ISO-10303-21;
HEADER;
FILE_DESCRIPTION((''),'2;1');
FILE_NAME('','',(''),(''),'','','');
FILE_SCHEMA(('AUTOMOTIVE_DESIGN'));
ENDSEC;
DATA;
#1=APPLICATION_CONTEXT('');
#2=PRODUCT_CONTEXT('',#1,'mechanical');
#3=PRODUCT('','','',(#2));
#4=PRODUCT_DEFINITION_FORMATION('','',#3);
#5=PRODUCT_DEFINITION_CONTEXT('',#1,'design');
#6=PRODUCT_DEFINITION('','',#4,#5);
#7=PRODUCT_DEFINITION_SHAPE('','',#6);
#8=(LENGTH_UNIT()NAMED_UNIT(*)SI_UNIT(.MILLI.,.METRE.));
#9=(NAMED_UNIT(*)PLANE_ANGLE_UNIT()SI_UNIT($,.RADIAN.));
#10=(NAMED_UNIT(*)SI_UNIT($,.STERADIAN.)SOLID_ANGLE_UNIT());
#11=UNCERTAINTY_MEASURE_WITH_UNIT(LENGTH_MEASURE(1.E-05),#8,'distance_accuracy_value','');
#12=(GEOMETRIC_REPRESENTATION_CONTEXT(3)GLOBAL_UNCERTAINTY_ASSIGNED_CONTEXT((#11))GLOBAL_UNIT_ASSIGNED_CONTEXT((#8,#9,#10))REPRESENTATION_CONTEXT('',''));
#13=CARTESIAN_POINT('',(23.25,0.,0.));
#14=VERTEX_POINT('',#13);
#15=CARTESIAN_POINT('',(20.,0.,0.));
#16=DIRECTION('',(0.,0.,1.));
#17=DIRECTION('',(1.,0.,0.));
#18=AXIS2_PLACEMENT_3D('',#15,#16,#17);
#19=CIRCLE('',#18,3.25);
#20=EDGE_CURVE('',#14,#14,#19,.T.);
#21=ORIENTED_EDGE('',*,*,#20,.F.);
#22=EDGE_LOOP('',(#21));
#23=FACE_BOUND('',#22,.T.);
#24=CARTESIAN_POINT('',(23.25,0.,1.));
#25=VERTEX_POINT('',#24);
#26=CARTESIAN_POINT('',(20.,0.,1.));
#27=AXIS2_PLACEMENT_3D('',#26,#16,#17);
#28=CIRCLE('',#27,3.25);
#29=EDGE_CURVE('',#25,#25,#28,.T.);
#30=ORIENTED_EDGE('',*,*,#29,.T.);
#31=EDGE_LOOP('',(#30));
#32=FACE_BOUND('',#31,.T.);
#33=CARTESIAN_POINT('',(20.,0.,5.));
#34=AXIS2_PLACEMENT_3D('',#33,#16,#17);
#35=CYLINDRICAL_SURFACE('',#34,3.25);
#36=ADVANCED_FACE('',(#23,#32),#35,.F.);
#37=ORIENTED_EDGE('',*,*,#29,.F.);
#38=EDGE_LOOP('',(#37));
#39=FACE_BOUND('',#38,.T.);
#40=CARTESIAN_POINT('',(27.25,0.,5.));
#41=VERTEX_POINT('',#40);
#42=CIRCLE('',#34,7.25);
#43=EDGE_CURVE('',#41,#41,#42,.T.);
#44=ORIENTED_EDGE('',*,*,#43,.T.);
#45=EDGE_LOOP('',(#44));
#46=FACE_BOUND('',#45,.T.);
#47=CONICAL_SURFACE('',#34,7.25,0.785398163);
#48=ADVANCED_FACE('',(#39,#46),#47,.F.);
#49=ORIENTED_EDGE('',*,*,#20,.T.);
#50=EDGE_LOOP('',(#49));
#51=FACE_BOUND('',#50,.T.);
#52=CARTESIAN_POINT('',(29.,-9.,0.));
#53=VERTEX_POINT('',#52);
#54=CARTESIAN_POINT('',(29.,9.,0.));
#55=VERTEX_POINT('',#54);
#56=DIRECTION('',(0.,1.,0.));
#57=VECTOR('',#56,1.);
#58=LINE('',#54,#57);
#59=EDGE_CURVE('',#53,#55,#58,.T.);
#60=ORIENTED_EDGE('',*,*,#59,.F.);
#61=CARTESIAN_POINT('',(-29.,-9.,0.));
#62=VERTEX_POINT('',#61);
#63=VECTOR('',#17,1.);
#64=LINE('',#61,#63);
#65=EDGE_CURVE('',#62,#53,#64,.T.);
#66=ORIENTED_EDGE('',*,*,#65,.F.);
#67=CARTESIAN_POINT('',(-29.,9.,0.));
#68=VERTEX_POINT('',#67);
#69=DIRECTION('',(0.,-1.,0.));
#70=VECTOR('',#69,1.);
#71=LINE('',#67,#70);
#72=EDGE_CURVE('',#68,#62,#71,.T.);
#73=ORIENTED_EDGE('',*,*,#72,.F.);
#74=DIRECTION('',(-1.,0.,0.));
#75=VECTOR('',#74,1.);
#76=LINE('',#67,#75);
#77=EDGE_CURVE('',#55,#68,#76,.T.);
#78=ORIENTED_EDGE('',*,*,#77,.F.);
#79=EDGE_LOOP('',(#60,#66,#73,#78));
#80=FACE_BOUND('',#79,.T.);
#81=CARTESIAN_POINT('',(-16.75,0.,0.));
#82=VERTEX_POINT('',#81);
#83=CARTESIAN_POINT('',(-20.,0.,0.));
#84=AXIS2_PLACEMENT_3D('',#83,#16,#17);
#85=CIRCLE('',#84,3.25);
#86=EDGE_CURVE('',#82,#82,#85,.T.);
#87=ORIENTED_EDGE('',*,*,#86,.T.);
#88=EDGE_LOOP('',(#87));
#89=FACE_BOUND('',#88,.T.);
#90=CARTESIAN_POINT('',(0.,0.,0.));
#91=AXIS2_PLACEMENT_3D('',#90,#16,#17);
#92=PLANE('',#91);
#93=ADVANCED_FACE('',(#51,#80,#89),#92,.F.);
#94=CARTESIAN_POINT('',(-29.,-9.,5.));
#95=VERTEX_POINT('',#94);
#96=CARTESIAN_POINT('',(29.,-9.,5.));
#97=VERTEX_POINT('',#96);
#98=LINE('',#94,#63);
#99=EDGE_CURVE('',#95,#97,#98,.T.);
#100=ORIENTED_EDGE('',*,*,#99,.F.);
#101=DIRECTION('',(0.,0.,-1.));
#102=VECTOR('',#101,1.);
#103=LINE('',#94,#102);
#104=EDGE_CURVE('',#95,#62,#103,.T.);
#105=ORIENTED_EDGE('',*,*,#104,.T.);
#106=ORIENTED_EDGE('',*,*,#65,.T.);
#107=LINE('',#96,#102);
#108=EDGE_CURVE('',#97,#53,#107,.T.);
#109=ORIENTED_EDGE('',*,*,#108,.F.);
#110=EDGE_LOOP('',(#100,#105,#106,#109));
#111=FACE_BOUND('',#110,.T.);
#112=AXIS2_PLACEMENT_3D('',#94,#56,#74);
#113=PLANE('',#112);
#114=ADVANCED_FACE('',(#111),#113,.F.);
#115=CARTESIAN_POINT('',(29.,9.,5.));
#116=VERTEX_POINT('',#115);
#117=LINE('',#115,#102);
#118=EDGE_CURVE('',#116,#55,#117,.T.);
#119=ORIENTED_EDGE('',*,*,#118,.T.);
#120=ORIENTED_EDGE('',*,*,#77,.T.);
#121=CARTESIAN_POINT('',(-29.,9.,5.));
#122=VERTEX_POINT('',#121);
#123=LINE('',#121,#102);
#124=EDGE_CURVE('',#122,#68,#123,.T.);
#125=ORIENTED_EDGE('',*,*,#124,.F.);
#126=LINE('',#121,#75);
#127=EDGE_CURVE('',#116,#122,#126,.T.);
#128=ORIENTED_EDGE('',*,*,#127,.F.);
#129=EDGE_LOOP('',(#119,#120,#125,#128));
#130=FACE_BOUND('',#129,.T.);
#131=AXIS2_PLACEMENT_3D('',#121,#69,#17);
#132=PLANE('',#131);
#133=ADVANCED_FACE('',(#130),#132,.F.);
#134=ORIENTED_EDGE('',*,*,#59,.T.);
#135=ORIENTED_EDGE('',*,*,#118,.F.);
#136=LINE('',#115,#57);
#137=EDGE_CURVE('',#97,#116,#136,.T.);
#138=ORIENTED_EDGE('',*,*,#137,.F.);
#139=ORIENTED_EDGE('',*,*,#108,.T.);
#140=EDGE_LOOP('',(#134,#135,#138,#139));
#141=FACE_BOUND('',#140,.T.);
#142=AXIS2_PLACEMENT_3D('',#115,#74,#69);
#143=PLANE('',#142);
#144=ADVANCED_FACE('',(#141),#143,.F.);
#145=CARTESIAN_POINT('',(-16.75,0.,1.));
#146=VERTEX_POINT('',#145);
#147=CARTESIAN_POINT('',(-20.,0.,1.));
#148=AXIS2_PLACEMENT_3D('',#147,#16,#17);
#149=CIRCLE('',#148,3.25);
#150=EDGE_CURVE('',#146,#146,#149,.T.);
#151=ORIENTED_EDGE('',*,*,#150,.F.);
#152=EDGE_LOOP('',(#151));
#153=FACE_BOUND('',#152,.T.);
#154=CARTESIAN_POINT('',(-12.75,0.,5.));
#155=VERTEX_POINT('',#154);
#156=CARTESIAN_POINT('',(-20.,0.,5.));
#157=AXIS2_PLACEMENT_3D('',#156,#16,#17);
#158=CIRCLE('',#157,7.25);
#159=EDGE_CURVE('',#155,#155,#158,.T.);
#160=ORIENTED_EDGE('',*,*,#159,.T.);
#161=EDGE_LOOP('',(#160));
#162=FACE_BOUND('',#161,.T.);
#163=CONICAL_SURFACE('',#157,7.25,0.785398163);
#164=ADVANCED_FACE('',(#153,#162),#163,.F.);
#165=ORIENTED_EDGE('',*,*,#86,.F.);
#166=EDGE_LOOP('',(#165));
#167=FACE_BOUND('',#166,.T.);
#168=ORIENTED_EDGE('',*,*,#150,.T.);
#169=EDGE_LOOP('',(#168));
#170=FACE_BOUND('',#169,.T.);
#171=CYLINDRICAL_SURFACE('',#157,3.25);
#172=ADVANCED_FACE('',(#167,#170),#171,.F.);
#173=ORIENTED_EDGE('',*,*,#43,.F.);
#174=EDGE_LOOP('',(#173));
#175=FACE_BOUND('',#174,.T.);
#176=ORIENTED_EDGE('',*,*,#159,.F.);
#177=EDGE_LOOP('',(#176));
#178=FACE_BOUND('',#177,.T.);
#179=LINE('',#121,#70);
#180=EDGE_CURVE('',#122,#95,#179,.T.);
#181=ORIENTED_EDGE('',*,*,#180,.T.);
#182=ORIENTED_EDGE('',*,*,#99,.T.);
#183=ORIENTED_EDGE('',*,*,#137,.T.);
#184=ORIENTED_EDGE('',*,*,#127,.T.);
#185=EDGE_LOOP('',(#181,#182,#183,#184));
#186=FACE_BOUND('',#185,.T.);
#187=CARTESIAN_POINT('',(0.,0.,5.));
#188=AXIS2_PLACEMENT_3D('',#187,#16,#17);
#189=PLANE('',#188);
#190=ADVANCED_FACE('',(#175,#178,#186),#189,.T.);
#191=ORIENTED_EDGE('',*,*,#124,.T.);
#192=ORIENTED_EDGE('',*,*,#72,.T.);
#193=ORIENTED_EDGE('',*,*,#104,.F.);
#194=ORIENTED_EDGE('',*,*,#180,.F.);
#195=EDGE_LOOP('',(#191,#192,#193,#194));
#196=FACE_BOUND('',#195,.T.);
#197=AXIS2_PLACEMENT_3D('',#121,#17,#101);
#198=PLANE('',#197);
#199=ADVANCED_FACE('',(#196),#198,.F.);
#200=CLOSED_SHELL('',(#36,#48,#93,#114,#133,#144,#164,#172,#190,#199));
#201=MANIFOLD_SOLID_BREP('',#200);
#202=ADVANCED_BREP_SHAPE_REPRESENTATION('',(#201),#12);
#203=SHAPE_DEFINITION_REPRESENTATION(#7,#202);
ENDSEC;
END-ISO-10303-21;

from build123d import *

# Parameters (mm, degrees)
ESQUISSE1_W                = 58
ESQUISSE1_H                = 18
BOSS_EXTRU_1_DEPTH         = 5
R_P_TITION_LIN_AIRE1_COUNT = 2
R_P_TITION_LIN_AIRE1_PITCH = 40


with BuildPart() as part:
    # Esquisse1 → Boss.-Extru.1 (new body)
    with BuildSketch(Plane.XY):
        Rectangle(ESQUISSE1_W, ESQUISSE1_H)
    extrude(amount=BOSS_EXTRU_1_DEPTH)

    # Esquisse3 → Fraisage pour vis à tête fraisée à 6 pans creux M61 (revolve, cut)
    with BuildSketch(Plane(origin=(20, 0, 5), x_dir=(0, -1, 0), z_dir=(1, 0, 0))):
        Polygon((0, 0), (0, 5), (3.25, 5), (3.25, 4), (7.25, 0), align=None)
    fraisage_pour_vis_t_te_frais_e_6_pan = revolve(axis=Axis((20, 0, 11.35), (0, 0, -1)), mode=Mode.SUBTRACT)

    # Répétition linéaire1: Fraisage pour vis à tête fraisée à 6 pans creux M61 ×2
    with Locations(*[(-i * R_P_TITION_LIN_AIRE1_PITCH, 0, 0) for i in range(1, R_P_TITION_LIN_AIRE1_COUNT)]):
        add(fraisage_pour_vis_t_te_frais_e_6_pan, mode=Mode.SUBTRACT)


solid = part.part
